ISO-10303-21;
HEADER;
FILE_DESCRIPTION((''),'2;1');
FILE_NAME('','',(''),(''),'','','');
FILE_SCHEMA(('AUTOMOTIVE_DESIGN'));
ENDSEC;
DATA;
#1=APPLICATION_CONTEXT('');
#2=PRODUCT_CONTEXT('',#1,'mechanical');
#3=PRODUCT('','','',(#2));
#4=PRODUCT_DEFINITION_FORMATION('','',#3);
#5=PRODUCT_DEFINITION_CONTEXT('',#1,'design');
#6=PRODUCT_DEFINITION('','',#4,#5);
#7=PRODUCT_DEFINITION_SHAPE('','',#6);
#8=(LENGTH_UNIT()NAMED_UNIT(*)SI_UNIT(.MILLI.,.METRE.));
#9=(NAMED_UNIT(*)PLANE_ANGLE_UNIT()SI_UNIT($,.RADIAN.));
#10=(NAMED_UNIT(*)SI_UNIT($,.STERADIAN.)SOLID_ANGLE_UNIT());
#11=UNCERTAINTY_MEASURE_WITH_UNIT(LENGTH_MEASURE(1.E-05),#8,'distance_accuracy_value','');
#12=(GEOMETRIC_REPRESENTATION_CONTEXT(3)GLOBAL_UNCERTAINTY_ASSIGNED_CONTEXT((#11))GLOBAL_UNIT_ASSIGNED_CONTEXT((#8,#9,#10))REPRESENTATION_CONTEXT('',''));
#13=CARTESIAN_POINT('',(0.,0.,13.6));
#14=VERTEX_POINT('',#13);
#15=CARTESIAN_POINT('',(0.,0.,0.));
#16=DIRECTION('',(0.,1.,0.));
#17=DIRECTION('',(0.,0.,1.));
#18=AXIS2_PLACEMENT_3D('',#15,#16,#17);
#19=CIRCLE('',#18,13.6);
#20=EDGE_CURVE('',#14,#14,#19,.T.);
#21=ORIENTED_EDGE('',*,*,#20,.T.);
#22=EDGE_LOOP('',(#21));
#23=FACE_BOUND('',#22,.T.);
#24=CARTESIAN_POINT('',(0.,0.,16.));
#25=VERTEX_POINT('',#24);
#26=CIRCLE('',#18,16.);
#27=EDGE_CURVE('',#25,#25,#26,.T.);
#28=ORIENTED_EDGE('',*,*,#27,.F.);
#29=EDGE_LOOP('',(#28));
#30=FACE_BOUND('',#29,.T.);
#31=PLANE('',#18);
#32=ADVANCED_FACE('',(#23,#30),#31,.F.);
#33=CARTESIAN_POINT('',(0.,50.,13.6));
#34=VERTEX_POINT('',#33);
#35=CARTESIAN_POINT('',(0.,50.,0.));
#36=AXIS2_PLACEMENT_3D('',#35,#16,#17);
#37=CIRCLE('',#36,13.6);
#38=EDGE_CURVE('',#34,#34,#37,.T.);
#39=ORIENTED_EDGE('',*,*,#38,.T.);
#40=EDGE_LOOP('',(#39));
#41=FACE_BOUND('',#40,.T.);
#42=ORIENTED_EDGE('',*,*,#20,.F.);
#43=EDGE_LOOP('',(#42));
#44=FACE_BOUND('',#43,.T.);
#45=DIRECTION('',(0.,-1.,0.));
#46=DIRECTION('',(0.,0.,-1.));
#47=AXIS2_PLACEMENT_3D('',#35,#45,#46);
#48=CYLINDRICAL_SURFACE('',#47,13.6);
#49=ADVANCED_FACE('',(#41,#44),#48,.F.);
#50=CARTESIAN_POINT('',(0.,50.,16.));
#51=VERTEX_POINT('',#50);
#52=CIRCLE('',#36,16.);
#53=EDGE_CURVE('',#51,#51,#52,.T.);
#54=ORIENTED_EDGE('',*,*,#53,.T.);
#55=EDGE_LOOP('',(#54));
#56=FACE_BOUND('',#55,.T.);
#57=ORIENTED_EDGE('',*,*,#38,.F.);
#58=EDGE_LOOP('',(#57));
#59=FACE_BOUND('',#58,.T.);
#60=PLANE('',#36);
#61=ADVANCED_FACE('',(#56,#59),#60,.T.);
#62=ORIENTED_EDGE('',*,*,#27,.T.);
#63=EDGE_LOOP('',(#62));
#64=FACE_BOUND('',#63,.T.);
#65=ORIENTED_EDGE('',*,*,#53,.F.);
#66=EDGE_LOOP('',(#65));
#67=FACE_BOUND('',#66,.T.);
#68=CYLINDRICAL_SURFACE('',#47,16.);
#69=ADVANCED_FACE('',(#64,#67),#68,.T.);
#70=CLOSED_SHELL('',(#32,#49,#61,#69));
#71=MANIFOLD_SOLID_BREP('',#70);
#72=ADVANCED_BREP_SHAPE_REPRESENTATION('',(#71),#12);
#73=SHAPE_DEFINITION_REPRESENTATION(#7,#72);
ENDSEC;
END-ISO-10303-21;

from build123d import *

# Parameters (mm, degrees)
SKETCH_1_R      = 16
SKETCH_1_R_2    = 13.6
EXTRUDE_1_DEPTH = 50


with BuildPart() as part:
    # 草图1 → 凸台-拉伸1 (new body)
    with BuildSketch(Plane(origin=(0, 0, 0), x_dir=(1, 0, 0), z_dir=(0, 1, 0))):
        with Locations(Location((0, 0, 0), (0, 0, 270))):
            Circle(SKETCH_1_R)
        with Locations(Location((0, 0, 0), (0, 0, 270))):
            Circle(SKETCH_1_R_2, mode=Mode.SUBTRACT)
    extrude(amount=EXTRUDE_1_DEPTH)


solid = part.part
